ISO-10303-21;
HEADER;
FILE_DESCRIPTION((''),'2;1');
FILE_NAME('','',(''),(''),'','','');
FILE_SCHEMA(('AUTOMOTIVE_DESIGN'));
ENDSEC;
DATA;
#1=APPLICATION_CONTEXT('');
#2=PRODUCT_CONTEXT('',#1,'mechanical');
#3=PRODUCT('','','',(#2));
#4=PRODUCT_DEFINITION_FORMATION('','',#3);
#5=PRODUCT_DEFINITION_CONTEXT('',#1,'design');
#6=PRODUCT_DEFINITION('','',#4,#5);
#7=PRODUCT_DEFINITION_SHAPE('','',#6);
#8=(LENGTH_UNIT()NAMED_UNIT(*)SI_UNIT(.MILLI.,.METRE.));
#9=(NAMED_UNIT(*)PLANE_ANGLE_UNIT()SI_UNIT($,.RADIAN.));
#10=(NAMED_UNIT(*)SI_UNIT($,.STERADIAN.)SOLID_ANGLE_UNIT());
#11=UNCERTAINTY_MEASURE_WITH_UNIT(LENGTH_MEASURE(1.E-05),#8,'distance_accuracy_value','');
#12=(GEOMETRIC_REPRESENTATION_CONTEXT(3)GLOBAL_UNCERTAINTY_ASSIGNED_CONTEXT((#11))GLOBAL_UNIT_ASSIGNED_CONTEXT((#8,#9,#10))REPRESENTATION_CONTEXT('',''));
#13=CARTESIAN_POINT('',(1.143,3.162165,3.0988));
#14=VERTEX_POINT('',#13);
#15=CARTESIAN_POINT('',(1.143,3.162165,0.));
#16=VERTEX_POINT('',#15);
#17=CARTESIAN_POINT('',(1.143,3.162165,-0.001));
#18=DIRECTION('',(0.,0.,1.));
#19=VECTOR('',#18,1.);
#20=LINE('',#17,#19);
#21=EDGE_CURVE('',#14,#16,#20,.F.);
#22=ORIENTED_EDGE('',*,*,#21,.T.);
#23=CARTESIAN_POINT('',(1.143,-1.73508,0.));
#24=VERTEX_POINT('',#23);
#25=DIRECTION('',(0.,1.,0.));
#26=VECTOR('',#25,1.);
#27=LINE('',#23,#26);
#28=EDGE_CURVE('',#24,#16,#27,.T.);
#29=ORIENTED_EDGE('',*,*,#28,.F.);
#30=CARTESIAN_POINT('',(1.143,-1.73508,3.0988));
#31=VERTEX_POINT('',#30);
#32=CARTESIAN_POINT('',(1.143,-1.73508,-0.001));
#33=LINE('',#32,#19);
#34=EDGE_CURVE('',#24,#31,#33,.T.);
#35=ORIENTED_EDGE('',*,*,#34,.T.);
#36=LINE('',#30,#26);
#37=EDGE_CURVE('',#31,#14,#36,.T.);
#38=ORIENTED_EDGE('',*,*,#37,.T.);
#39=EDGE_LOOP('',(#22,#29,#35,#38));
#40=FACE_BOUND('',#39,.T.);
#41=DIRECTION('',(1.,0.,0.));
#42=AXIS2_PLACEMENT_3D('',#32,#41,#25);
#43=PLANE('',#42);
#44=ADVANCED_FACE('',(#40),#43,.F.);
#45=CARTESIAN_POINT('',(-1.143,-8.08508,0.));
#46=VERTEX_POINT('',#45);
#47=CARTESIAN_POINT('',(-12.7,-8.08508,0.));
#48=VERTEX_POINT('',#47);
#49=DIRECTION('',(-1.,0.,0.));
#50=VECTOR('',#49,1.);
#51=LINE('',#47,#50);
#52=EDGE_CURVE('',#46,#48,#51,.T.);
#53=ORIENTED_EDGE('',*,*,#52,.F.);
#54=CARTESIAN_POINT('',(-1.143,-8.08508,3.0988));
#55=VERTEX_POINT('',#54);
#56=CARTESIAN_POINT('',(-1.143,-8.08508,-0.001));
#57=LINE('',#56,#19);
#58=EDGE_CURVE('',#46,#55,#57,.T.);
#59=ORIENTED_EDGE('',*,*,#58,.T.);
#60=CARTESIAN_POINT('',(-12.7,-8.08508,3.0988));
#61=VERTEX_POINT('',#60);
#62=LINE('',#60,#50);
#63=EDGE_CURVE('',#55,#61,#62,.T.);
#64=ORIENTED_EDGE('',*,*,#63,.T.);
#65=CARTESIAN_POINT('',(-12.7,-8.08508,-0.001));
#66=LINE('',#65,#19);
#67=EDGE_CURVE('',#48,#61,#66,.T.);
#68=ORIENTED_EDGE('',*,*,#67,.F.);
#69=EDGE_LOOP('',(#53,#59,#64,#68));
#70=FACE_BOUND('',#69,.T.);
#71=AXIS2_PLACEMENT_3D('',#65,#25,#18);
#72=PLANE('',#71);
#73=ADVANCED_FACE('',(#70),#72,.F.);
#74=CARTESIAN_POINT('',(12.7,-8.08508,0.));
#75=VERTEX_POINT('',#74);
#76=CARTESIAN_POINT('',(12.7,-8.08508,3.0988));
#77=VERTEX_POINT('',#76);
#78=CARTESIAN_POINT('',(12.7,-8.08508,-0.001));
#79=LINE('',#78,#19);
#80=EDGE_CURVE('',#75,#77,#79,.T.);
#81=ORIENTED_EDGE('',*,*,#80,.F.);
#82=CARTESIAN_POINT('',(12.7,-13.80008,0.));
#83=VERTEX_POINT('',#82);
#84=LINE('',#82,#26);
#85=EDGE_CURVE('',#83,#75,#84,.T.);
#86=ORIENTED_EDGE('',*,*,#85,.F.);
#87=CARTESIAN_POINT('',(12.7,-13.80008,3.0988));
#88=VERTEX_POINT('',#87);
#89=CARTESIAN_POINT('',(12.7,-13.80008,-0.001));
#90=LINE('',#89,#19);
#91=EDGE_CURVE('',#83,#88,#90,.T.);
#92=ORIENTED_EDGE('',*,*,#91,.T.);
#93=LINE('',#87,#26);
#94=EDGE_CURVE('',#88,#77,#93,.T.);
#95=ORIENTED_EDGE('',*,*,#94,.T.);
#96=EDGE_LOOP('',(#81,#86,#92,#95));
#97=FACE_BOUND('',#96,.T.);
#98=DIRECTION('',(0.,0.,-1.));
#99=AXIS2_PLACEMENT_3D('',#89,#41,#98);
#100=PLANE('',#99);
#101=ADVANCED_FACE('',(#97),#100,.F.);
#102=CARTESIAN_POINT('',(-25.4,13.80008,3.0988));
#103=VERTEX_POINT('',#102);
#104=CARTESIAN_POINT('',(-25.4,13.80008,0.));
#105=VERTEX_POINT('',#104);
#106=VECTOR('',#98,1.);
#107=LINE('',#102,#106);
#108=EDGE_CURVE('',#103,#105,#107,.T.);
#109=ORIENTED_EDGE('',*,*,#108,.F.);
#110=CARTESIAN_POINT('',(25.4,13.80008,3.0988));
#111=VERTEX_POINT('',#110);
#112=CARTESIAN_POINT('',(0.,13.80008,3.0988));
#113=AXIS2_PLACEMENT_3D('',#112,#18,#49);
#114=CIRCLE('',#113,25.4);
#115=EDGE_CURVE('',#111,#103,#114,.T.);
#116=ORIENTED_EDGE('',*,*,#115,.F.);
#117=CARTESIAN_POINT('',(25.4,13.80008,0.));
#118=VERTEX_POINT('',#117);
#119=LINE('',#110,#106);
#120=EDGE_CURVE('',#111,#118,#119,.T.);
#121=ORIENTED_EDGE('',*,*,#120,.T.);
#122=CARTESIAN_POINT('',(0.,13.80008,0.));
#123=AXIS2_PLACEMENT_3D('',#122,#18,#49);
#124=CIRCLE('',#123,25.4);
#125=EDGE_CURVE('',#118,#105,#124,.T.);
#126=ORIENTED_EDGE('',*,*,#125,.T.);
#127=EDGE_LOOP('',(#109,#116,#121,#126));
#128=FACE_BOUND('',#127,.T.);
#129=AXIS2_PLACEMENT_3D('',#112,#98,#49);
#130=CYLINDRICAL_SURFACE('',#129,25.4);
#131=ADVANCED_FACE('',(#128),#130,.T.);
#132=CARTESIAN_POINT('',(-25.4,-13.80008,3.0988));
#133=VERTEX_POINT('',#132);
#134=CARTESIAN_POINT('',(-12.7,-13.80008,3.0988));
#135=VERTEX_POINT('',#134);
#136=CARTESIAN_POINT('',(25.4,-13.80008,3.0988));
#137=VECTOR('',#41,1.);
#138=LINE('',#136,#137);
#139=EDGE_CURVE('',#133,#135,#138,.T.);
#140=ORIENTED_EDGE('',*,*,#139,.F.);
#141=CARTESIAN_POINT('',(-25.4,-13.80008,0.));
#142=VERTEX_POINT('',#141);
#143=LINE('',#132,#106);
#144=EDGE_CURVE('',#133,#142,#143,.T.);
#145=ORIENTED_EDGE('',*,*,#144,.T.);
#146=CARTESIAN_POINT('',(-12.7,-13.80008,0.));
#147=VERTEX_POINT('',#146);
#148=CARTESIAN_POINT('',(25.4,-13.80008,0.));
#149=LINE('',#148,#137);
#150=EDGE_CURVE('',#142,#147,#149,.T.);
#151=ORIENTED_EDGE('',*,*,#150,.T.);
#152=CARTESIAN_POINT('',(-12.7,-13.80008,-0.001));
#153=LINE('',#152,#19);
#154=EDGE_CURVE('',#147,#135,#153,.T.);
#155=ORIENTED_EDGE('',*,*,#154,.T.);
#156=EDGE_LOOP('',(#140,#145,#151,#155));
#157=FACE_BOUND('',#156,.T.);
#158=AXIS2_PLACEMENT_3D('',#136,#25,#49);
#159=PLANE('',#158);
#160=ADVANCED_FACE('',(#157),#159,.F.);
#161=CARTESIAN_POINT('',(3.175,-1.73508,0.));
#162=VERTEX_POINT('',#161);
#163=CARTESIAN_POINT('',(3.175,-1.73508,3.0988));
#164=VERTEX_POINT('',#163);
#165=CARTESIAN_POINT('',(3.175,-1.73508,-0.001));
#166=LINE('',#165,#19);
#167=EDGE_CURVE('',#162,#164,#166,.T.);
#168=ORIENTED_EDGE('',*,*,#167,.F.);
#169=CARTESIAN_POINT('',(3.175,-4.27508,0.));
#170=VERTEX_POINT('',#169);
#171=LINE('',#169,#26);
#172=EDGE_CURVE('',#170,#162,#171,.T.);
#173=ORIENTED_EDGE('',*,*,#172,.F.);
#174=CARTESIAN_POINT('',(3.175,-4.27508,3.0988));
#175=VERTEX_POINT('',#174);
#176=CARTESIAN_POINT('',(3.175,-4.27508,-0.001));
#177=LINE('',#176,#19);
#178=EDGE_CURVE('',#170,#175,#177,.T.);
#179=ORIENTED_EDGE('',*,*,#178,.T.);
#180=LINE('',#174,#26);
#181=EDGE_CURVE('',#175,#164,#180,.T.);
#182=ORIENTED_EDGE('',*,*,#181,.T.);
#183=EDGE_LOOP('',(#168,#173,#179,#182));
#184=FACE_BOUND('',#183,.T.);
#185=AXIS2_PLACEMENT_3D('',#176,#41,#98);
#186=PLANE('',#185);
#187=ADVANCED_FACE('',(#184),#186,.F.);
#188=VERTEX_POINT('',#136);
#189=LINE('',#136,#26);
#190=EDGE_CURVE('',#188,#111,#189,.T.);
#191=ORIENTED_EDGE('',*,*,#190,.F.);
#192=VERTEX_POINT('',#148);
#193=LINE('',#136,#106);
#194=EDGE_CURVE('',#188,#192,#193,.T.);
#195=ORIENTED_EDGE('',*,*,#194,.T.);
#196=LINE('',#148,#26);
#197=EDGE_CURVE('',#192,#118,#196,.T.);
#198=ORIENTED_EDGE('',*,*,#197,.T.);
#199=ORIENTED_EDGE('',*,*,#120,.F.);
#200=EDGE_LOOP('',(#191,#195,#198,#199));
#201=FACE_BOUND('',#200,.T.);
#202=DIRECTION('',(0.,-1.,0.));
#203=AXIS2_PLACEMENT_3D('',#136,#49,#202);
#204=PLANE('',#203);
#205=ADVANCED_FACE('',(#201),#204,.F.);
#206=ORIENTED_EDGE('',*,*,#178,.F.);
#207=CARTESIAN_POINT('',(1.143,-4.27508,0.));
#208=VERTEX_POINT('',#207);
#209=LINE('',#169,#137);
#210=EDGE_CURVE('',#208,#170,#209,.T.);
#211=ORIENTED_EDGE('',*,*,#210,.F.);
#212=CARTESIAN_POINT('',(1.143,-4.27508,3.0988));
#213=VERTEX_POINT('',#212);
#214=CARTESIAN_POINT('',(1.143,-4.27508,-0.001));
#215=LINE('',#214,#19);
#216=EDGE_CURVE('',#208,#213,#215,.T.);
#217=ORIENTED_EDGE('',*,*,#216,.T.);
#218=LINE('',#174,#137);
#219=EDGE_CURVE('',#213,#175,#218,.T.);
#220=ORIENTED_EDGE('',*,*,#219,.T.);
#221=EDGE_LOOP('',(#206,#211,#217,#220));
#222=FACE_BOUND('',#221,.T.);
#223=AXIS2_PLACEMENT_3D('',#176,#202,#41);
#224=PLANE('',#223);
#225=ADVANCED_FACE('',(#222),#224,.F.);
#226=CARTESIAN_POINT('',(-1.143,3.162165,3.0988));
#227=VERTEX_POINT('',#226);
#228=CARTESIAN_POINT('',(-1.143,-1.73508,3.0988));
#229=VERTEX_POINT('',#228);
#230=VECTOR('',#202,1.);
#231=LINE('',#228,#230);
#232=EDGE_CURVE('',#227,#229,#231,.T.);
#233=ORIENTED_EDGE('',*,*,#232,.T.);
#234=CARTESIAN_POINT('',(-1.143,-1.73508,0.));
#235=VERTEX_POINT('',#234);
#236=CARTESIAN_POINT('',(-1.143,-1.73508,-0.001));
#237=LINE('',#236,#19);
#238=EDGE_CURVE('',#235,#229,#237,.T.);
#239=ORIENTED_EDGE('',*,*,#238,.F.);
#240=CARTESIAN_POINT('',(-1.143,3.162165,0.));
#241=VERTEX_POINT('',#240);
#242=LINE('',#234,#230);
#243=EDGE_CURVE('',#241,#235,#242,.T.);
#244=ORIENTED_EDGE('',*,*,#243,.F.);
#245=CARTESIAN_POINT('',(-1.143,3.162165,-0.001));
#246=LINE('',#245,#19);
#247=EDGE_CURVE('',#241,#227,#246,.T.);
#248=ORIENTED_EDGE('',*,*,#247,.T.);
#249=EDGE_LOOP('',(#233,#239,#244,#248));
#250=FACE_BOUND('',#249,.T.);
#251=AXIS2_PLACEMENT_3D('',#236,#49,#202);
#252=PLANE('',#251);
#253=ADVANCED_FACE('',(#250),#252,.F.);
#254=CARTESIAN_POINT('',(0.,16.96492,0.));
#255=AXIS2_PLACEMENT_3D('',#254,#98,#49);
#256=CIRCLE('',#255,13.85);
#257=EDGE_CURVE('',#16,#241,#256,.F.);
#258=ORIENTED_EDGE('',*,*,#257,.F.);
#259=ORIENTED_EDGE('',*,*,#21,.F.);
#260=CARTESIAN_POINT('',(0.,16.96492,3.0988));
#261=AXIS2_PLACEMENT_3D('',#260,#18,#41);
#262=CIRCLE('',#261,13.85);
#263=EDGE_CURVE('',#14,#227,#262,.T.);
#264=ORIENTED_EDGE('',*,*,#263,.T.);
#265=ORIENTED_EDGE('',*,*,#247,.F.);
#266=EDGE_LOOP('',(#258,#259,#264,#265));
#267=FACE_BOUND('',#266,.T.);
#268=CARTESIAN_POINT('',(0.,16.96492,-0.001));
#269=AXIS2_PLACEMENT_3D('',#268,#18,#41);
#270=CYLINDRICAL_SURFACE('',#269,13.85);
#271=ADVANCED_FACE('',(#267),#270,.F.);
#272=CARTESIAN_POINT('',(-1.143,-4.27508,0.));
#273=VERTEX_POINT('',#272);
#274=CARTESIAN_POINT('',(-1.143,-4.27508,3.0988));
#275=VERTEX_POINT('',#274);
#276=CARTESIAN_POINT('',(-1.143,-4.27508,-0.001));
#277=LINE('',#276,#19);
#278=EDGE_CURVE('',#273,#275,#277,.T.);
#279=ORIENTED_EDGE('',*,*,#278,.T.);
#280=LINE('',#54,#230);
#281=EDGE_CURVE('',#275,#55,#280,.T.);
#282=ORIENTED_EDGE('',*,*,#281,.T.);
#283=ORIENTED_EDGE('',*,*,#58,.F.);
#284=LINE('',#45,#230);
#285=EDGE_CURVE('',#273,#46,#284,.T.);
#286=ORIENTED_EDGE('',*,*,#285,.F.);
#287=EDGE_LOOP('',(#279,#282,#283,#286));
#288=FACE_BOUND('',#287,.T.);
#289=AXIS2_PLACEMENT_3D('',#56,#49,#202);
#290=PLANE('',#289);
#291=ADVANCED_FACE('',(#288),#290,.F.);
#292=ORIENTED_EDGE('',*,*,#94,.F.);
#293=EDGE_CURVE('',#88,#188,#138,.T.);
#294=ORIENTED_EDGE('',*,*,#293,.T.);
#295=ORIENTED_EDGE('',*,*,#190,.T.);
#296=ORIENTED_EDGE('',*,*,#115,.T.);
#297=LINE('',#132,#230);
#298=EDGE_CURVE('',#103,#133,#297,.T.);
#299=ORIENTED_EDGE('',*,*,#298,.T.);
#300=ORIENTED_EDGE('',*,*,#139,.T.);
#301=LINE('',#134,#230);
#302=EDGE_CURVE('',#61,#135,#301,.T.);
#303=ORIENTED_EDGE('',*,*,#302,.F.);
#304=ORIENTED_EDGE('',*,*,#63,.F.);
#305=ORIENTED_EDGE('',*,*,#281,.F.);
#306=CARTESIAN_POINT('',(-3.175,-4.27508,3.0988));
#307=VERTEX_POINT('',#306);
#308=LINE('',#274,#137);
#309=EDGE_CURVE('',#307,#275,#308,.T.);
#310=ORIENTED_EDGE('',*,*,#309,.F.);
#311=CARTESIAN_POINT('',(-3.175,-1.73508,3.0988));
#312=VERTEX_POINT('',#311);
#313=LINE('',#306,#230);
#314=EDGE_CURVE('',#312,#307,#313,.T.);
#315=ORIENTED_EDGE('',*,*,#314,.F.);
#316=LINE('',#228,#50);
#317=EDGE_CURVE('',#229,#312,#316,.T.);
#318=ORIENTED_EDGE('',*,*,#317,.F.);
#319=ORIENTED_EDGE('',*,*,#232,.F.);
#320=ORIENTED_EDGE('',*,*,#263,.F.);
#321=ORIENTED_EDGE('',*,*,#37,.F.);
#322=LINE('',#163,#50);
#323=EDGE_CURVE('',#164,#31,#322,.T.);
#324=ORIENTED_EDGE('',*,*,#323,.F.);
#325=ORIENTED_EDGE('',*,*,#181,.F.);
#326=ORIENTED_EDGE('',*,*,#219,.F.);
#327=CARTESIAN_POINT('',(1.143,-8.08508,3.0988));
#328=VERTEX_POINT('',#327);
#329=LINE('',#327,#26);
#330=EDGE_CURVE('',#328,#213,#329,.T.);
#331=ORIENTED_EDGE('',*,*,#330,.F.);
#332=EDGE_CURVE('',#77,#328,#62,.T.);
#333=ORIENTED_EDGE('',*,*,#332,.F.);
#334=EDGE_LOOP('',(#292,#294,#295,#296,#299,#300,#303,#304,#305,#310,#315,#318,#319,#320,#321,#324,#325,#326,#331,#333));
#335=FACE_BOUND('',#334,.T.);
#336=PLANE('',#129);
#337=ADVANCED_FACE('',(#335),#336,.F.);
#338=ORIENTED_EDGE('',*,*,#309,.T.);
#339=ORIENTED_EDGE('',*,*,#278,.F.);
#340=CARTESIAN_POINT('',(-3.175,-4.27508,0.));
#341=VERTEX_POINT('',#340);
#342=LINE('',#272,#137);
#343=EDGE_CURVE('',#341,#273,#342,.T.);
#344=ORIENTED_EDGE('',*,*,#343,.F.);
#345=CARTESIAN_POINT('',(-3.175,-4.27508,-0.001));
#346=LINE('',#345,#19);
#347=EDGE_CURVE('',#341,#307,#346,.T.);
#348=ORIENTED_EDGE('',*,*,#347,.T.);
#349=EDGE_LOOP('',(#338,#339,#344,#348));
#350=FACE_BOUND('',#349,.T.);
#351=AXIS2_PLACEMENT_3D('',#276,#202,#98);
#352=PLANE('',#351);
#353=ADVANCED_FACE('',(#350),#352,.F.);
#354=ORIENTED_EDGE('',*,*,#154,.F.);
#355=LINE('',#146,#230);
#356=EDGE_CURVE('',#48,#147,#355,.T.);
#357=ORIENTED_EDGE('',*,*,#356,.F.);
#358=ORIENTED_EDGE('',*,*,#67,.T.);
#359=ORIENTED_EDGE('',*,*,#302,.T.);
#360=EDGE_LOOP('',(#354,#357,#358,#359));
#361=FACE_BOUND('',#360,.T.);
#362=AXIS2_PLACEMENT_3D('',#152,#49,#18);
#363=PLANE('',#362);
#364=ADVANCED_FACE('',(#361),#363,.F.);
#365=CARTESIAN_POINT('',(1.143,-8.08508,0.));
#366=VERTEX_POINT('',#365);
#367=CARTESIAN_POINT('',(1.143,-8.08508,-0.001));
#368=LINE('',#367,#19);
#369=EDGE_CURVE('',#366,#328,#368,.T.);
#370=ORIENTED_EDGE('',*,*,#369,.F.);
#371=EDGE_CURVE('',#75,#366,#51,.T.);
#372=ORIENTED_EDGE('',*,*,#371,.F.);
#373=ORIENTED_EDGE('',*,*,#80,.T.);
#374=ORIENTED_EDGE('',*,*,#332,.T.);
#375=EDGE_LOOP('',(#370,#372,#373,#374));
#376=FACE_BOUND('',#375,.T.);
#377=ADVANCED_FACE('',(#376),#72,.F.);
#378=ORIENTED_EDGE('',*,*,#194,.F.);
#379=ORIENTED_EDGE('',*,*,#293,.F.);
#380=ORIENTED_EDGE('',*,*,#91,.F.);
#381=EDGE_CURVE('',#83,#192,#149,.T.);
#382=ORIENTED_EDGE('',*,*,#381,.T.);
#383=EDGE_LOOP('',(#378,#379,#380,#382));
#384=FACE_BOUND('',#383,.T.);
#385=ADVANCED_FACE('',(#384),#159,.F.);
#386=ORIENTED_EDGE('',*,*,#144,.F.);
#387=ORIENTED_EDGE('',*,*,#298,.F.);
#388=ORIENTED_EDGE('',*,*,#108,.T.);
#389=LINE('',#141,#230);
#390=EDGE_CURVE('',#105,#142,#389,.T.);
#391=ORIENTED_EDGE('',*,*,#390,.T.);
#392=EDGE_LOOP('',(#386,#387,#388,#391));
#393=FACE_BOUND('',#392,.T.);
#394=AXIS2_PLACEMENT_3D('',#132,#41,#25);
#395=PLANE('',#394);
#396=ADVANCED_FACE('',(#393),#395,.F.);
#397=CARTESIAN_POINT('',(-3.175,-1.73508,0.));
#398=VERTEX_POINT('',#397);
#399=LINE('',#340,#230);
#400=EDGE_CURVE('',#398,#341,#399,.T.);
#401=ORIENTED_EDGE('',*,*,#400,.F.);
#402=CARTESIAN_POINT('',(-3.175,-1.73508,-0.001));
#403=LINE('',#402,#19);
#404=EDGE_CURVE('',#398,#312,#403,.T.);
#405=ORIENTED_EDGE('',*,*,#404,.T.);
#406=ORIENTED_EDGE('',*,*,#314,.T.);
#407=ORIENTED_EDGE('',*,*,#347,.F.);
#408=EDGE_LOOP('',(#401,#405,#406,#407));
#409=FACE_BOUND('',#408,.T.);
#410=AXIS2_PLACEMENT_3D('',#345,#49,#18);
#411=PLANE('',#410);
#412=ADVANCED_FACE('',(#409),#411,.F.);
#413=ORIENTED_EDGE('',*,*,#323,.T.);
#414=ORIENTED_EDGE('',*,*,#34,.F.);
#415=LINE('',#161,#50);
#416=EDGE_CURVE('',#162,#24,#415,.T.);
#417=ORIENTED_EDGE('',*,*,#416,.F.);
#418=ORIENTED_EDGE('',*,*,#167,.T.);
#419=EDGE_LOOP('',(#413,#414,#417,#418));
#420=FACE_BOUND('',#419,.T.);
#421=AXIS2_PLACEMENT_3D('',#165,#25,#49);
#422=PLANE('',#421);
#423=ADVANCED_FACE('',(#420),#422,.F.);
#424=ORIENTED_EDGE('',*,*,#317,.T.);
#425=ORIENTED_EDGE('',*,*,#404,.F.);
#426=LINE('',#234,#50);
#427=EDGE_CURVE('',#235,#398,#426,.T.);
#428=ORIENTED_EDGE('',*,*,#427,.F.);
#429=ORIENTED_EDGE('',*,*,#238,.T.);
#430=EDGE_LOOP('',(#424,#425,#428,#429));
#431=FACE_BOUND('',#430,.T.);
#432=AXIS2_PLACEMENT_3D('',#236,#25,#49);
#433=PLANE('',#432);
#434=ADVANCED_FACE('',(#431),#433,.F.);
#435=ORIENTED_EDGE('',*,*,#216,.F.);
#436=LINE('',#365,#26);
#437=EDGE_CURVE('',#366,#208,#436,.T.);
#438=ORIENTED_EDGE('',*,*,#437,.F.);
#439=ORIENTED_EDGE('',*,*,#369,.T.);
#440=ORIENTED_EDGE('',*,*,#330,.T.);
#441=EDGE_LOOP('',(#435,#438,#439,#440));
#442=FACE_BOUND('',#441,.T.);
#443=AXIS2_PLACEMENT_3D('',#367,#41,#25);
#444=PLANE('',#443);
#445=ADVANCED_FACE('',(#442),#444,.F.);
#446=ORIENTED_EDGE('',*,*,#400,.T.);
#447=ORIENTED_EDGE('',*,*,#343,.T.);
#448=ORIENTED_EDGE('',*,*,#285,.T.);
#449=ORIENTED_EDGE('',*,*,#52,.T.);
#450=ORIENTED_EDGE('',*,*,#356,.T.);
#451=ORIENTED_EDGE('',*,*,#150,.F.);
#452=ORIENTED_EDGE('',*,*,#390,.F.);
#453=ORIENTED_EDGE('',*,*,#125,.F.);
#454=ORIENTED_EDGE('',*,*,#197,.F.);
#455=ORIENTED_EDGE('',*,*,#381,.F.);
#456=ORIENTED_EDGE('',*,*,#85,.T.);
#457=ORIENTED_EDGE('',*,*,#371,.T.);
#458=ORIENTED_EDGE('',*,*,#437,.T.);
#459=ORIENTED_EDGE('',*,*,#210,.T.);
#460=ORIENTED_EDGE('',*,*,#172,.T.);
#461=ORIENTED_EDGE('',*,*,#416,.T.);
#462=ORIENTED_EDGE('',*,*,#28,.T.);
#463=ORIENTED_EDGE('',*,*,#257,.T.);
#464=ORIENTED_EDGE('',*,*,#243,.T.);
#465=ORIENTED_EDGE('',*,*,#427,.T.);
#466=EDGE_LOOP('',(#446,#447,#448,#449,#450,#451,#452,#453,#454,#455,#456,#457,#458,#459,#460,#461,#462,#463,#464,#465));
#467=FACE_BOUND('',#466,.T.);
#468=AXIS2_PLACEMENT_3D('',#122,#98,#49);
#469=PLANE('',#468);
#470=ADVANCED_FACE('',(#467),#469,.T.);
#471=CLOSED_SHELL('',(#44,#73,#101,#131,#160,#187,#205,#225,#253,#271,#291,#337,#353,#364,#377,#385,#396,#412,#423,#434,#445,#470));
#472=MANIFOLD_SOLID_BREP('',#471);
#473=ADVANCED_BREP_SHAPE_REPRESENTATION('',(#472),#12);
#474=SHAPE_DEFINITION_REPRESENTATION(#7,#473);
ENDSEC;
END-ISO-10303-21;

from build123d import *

# Parameters (mm, degrees)
BOSS_EXTRUDE1_DEPTH = 3.0988
CUT_EXTRUDE1_REACH  = 48.812
SKETCH2_R           = 13.85
CUT_EXTRUDE2_REACH  = 48.812
SKETCH3_W           = 25.4
SKETCH3_H           = 5.715
CUT_EXTRUDE4_REACH  = 48.812


with BuildPart() as part:
    # Sketch1 → Boss-Extrude1 (new body)
    with BuildSketch(Plane.XY):
        with BuildLine():
            Line((25.4, -13.800079969), (-25.4, -13.800079969))
            Line((-25.4, -13.800079969), (-25.4, 13.800079969))
            ThreePointArc((-25.4, 13.800079969), (0, 39.200079969), (25.4, 13.800079969))
            Line((25.4, 13.800079969), (25.4, -13.800079969))
        make_face()
    extrude(amount=BOSS_EXTRUDE1_DEPTH)

    # Sketch2 → Cut-Extrude1 (cut, up to next)
    with BuildSketch(Plane.XY.offset(3.0988), mode=Mode.PRIVATE) as cut_extrude1_sk1:
        with Locations((0, 16.964919969)):
            Circle(SKETCH2_R)
    cut_extrude1_tool1 = extrude(cut_extrude1_sk1.sketch, amount=-CUT_EXTRUDE1_REACH, mode=Mode.PRIVATE) & part.part
    add(cut_extrude1_tool1.solids().sort_by_distance((0, 16.96492, 3.0988))[0], mode=Mode.SUBTRACT)

    # Sketch3 → Cut-Extrude2 (cut, up to next)
    with BuildSketch(Plane.XY.offset(3.0988), mode=Mode.PRIVATE) as cut_extrude2_sk1:
        with Locations((0, -10.942579969)):
            Rectangle(SKETCH3_W, SKETCH3_H)
    cut_extrude2_tool1 = extrude(cut_extrude2_sk1.sketch, amount=-CUT_EXTRUDE2_REACH, mode=Mode.PRIVATE) & part.part
    add(cut_extrude2_tool1.solids().sort_by_distance((0, -10.94258, 3.0988))[0], mode=Mode.SUBTRACT)

    # Sketch5 → Cut-Extrude4 (cut, up to next)
    with BuildSketch(Plane.XY.offset(3.0988), mode=Mode.PRIVATE) as cut_extrude4_sk1:
        Polygon((3.175, -4.275079969), (1.143, -4.275079969), (1.143, -8.085079969), (-1.143, -8.085079969), (-1.143, -4.275079969), (-3.175, -4.275079969), (-3.175, -1.735079969), (-1.143, -1.735079969), (-1.143, 5.884920031), (1.143, 5.884920031), (1.143, -1.735079969), (3.175, -1.735079969), align=None)
    cut_extrude4_tool1 = extrude(cut_extrude4_sk1.sketch, amount=-CUT_EXTRUDE4_REACH, mode=Mode.PRIVATE) & part.part
    add(cut_extrude4_tool1.solids().sort_by_distance((0, -1.565423, 3.0988))[0], mode=Mode.SUBTRACT)


solid = part.part
